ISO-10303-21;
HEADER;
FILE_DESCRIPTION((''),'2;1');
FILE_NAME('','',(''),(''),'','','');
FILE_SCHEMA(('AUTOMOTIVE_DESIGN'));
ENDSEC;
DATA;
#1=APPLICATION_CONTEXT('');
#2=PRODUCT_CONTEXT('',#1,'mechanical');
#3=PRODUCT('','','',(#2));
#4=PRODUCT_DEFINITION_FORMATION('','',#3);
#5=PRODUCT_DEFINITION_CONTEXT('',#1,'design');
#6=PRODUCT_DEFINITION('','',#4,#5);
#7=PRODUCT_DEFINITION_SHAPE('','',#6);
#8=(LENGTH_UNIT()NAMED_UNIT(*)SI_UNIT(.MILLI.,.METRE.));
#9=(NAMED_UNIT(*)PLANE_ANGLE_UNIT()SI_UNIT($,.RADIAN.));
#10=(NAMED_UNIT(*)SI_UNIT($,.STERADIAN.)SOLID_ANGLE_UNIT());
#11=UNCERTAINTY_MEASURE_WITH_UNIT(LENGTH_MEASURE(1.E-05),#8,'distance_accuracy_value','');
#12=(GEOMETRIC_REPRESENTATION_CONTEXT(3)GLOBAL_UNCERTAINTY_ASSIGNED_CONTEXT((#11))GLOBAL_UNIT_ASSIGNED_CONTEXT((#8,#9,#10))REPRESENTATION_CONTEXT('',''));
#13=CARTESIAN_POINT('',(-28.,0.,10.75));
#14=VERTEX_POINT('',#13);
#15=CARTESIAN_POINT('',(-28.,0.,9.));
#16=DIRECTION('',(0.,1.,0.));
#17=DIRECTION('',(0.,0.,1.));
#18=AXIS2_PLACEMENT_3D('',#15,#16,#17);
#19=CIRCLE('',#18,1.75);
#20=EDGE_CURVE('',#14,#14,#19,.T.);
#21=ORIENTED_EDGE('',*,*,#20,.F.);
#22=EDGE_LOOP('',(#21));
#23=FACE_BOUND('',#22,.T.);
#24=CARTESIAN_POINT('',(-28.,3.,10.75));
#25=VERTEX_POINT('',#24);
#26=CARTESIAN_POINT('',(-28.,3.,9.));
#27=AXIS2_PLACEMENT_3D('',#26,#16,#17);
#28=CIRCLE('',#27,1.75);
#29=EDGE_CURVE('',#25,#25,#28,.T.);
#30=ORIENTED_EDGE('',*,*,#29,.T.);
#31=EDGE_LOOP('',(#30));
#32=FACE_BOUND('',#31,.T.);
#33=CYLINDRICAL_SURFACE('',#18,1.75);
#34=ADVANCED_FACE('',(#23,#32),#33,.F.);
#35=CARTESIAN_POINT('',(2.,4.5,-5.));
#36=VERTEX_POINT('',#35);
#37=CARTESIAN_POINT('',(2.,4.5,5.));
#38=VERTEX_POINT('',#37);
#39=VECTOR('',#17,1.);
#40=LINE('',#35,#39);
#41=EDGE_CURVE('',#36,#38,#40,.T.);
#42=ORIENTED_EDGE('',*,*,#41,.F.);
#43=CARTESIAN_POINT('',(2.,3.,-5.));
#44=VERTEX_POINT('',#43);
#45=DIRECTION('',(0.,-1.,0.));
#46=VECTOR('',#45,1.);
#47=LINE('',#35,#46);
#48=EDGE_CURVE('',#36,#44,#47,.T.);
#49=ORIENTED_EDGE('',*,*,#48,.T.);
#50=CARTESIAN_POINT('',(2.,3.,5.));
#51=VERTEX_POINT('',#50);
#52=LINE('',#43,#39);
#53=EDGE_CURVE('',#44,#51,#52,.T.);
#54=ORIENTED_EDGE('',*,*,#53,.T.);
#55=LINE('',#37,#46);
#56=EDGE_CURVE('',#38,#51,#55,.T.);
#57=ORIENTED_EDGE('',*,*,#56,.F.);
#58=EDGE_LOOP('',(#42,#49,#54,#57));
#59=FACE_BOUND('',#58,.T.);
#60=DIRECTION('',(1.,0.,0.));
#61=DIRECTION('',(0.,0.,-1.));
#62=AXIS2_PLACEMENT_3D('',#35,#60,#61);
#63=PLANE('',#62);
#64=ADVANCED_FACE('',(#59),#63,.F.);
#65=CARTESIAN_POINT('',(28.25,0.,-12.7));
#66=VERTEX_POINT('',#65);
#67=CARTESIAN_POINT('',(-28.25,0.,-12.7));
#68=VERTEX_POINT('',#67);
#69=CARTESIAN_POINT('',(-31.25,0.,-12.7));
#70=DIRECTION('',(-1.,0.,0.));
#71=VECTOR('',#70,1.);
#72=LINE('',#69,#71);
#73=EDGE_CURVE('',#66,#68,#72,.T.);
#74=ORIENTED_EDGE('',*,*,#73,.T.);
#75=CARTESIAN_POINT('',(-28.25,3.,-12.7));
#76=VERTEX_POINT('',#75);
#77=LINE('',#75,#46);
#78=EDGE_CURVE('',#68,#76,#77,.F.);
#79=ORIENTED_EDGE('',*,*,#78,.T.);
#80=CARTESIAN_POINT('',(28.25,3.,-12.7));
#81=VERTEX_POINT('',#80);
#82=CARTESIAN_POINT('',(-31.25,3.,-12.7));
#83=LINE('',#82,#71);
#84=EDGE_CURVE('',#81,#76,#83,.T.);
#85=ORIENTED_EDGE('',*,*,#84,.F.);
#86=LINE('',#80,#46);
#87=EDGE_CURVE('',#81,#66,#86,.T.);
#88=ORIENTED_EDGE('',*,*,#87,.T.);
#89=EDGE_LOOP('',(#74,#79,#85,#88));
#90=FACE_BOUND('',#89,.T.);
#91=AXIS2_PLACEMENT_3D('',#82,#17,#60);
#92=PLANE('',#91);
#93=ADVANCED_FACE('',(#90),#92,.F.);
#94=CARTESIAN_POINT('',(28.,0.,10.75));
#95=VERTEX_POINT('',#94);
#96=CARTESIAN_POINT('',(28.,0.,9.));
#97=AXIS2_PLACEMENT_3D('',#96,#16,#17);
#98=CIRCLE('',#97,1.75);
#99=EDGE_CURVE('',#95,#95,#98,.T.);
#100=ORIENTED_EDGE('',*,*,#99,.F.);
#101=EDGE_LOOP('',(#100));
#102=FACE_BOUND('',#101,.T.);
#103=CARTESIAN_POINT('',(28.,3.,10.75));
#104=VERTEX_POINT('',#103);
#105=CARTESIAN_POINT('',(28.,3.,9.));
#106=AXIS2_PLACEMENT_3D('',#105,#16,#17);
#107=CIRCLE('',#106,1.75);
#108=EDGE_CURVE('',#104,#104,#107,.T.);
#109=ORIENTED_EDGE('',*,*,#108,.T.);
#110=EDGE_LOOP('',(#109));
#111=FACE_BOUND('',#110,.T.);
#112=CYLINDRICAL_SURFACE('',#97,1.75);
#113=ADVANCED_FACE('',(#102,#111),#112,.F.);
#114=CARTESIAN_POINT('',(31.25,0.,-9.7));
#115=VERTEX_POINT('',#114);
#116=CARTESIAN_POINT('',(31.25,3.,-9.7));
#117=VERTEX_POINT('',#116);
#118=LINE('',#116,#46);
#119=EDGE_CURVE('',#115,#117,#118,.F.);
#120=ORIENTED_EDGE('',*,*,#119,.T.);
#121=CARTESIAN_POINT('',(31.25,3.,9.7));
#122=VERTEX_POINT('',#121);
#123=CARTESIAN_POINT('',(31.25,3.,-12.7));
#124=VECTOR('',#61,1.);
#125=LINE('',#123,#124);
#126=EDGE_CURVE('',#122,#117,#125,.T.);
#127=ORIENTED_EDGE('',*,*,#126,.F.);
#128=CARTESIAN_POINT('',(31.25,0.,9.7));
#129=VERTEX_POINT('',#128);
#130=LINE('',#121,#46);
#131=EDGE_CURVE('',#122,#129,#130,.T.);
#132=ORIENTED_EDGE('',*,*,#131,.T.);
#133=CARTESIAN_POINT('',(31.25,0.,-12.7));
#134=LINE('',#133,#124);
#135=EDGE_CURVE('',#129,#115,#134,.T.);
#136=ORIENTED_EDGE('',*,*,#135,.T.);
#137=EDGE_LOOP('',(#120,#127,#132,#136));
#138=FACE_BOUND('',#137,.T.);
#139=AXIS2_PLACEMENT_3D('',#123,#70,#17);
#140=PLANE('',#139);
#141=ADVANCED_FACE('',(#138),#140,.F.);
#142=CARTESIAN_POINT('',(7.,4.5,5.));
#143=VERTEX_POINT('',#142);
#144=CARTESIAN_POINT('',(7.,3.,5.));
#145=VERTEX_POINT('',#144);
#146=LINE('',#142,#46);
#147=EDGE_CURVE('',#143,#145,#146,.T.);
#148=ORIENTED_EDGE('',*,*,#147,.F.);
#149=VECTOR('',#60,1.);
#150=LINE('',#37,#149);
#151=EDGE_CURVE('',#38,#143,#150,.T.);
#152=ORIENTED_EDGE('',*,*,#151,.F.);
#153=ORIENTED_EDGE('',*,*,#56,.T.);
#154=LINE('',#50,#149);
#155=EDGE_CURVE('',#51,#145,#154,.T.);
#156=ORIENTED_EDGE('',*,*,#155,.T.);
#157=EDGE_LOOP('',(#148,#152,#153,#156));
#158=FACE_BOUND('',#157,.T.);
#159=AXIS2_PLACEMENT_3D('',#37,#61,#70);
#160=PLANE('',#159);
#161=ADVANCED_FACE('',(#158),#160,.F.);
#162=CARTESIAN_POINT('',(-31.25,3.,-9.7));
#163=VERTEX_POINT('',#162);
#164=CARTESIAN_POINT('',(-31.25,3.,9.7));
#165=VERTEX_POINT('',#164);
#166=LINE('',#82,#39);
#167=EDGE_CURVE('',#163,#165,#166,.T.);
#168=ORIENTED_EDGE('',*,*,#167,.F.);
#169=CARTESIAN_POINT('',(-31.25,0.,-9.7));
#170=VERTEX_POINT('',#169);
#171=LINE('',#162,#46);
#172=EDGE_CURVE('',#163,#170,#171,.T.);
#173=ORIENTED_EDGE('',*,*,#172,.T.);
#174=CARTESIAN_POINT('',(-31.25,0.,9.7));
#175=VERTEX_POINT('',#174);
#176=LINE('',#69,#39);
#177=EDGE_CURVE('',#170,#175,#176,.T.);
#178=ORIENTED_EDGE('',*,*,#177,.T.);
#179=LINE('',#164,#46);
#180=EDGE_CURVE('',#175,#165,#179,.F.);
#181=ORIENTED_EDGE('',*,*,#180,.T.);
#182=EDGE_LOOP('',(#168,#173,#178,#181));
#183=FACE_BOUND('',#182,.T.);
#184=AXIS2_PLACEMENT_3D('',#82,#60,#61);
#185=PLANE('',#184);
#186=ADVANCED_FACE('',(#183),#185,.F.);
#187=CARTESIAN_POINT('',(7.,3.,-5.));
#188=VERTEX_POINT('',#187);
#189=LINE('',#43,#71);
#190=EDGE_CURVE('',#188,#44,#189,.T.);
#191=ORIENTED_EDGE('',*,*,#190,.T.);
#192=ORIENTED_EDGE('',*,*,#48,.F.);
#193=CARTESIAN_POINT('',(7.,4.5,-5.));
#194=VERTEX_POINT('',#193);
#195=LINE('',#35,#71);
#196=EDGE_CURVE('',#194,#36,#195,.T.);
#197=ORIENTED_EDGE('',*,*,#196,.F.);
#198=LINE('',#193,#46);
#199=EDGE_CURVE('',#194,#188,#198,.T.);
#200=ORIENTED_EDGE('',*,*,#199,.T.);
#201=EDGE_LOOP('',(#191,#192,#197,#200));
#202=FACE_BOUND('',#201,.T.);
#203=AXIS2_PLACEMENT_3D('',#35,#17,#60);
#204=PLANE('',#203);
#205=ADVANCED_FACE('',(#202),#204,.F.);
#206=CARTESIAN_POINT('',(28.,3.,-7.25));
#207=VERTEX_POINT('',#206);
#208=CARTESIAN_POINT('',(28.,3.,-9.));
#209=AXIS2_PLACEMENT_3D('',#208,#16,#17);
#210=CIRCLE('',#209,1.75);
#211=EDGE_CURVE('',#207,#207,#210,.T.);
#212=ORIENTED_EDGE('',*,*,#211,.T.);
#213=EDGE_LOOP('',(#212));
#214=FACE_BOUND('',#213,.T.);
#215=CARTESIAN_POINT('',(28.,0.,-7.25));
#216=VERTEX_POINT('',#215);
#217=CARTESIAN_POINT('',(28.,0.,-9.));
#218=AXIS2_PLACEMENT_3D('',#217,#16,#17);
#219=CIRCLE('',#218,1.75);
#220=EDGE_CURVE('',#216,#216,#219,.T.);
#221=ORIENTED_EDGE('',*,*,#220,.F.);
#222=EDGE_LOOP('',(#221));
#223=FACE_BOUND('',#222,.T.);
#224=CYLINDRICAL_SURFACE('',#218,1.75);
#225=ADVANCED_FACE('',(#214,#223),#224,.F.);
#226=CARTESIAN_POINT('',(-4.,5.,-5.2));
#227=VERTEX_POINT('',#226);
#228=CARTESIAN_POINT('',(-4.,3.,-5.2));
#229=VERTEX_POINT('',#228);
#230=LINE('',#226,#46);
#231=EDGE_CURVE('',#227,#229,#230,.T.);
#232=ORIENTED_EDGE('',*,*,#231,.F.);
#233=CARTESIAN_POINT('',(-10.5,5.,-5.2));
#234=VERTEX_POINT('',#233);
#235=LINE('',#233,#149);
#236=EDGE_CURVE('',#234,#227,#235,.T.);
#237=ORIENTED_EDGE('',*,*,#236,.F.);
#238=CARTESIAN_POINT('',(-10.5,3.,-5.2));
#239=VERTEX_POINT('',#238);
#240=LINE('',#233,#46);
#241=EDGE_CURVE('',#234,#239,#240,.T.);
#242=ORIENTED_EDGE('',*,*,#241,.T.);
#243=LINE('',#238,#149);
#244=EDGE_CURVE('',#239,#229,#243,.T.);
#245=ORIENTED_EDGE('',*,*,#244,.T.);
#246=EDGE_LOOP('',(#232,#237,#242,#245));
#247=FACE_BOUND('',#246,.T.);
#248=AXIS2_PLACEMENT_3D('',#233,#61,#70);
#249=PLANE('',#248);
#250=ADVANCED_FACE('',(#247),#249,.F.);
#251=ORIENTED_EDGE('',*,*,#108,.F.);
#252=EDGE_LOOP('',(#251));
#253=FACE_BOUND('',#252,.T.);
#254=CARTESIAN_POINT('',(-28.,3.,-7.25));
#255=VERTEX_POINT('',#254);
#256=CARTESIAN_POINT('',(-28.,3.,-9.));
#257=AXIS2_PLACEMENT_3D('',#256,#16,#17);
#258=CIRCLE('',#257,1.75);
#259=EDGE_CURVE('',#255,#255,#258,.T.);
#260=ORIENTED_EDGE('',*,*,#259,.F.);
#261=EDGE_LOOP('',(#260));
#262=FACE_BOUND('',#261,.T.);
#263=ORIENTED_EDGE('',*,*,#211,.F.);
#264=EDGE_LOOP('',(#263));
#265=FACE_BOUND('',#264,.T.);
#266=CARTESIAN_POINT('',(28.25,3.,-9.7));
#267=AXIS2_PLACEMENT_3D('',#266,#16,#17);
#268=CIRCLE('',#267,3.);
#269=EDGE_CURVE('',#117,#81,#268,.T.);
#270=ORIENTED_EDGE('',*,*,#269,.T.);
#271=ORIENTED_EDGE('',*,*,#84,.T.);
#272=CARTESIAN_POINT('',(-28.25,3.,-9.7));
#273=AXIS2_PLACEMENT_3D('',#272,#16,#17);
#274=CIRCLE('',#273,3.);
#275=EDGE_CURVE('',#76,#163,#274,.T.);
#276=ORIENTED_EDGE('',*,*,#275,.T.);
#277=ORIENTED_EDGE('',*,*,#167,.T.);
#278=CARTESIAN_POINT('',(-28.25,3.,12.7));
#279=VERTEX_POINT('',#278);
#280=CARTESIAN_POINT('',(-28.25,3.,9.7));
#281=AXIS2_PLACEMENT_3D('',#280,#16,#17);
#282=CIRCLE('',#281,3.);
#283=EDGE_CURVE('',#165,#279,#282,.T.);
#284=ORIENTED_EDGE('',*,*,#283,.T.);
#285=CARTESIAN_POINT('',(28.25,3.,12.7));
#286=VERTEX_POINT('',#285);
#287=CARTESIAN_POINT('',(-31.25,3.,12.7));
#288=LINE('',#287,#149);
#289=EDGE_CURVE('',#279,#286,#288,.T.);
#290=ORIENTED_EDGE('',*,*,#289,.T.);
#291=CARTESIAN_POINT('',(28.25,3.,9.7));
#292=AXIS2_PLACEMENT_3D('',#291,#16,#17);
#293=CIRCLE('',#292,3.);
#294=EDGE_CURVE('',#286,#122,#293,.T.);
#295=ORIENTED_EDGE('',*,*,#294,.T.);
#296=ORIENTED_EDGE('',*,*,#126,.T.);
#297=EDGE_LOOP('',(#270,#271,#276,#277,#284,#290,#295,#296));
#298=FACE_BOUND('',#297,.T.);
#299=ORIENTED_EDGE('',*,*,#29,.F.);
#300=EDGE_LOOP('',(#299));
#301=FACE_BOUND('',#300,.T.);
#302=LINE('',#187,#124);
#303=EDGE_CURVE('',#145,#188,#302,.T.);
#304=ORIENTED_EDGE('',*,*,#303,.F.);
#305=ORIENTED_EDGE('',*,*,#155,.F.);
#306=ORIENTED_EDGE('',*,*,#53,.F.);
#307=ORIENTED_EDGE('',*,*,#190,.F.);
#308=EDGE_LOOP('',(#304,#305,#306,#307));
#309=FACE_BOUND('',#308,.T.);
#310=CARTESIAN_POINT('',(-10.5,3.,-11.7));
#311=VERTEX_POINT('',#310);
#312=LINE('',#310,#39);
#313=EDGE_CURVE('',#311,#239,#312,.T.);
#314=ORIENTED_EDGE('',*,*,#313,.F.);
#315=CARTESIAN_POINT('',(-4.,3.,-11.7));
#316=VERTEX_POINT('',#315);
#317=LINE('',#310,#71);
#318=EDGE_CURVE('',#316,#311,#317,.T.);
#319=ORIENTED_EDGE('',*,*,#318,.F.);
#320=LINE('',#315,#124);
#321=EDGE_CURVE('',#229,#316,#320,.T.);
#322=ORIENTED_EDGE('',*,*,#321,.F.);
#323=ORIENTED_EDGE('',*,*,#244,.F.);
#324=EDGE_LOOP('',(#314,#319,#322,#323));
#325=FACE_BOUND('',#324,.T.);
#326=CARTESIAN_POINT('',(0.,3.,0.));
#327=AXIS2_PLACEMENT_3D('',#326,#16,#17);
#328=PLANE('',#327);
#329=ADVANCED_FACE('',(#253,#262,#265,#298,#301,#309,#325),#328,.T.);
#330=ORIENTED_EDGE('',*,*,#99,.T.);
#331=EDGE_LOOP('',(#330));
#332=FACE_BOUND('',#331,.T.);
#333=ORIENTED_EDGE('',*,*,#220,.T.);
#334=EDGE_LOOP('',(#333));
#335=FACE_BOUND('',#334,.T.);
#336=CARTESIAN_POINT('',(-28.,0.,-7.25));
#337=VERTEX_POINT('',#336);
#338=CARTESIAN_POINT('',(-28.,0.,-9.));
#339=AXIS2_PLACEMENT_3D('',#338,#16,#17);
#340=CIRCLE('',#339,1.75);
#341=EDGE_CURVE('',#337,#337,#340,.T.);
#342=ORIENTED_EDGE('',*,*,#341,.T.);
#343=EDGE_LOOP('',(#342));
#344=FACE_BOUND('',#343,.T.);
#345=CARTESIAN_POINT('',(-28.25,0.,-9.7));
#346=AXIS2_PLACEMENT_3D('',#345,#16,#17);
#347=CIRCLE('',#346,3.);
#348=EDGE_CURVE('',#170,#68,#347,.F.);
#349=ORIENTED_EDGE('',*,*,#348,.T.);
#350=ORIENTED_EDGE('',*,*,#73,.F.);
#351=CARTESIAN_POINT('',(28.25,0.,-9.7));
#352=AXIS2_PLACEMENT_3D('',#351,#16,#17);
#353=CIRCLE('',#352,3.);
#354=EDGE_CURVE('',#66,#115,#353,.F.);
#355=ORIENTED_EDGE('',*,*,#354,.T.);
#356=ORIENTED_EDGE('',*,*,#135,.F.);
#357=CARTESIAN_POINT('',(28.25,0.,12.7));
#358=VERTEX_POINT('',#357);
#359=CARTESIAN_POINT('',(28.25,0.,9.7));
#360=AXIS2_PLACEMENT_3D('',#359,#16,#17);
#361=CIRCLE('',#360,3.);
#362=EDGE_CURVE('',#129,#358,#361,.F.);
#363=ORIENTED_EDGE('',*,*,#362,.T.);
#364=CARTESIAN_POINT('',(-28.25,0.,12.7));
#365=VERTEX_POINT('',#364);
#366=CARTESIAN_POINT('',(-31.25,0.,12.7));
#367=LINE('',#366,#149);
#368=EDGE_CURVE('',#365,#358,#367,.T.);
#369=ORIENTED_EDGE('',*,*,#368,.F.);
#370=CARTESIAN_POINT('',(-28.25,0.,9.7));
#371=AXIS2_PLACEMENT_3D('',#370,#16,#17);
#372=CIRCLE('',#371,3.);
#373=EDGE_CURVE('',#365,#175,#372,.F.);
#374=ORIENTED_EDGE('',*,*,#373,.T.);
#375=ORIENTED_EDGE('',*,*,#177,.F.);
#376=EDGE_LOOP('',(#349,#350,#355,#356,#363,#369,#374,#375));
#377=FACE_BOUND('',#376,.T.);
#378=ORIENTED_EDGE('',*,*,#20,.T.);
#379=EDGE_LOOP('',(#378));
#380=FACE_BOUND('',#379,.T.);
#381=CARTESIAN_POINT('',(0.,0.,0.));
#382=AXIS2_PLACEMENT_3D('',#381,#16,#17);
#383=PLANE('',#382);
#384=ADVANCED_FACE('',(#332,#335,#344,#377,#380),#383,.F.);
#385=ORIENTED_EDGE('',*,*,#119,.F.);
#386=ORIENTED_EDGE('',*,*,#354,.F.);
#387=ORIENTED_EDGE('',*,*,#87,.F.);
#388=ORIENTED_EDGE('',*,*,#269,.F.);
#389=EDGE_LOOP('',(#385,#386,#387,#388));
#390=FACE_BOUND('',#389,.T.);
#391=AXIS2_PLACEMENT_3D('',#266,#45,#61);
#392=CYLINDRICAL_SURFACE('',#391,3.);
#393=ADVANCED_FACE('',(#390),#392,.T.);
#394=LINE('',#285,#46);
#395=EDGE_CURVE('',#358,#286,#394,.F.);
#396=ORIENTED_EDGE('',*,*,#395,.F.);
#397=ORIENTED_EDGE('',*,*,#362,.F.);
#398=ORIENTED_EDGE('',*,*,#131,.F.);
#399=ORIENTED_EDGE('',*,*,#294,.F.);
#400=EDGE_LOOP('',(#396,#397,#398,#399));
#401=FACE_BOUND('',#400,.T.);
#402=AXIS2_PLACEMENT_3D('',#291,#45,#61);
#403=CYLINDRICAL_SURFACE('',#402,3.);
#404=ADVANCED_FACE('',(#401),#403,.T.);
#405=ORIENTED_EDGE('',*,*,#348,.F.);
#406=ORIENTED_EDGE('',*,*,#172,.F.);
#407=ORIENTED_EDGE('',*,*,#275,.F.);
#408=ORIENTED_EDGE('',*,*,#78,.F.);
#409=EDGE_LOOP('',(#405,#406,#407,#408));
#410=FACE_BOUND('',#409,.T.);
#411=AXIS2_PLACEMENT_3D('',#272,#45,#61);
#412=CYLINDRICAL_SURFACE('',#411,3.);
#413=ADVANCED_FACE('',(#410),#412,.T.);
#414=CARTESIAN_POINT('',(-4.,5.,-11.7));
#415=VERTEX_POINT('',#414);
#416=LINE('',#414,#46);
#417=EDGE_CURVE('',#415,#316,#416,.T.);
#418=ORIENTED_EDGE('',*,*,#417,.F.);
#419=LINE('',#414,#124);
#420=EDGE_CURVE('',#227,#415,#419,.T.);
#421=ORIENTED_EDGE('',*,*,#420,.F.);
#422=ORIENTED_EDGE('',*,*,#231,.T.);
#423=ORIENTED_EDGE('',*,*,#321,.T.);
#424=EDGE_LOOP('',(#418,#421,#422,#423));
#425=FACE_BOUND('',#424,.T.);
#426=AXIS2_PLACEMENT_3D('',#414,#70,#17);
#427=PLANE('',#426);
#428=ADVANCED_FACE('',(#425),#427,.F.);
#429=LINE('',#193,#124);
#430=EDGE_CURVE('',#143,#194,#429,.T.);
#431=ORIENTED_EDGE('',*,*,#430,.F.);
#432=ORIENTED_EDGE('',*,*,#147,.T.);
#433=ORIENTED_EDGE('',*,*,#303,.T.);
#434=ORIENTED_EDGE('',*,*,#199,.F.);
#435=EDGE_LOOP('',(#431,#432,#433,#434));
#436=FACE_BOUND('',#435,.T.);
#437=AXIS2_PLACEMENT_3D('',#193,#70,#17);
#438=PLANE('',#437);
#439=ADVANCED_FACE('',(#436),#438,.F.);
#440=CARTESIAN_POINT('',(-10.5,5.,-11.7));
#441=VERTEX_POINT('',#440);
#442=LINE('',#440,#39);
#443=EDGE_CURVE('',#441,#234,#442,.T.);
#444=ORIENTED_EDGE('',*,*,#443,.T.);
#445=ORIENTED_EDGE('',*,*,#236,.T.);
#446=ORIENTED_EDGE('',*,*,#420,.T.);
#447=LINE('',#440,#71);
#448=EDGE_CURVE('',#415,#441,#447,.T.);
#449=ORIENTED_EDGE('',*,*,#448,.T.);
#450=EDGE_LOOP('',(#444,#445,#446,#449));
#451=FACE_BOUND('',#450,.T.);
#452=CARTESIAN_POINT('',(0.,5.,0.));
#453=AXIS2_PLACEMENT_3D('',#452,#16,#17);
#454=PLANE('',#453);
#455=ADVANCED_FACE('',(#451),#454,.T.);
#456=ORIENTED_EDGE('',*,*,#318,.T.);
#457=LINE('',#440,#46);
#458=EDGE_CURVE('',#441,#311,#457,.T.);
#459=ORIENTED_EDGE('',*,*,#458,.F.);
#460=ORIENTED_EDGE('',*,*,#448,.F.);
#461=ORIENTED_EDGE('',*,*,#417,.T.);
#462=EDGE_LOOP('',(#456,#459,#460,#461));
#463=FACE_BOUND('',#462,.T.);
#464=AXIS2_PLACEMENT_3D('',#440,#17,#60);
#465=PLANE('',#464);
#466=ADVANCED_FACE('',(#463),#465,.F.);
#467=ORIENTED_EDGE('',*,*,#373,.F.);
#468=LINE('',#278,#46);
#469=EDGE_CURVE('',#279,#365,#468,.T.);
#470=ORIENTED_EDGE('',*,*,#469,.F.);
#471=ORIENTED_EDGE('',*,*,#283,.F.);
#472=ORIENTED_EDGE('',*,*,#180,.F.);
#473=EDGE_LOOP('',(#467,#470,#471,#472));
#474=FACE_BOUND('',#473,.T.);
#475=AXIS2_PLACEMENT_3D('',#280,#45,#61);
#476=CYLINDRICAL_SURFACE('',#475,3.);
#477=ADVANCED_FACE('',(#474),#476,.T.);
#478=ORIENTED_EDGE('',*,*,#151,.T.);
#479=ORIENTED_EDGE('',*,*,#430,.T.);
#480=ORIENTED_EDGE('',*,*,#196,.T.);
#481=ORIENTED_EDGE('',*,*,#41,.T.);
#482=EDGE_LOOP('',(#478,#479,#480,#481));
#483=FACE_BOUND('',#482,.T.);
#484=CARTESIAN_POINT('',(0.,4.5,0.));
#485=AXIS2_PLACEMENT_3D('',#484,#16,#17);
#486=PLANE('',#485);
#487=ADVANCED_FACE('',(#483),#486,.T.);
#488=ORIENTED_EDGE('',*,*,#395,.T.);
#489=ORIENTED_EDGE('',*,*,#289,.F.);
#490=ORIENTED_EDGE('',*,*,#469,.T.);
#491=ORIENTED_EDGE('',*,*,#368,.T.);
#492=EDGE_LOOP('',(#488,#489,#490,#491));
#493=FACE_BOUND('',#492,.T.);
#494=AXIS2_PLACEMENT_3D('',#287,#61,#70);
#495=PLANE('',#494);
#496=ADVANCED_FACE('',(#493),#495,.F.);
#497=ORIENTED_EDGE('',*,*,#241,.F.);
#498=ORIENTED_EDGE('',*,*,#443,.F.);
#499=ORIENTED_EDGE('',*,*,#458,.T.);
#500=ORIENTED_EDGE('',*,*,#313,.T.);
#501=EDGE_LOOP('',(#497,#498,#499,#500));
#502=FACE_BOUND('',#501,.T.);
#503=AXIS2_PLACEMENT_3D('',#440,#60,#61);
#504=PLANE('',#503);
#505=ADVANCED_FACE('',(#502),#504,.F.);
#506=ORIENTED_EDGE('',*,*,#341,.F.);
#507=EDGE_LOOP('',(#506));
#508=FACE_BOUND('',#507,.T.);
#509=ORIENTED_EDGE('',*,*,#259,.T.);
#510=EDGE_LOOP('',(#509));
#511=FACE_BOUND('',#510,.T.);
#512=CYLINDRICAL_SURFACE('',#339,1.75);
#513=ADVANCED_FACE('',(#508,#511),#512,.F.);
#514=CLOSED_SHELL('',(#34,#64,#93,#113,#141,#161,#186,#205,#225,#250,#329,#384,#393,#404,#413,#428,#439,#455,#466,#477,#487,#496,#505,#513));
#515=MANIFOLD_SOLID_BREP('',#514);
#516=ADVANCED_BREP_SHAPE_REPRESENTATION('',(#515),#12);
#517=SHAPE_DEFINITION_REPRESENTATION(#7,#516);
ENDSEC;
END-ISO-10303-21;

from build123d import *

# Parameters (mm, degrees)
SKETCH1_W           = 62.5
SKETCH1_H           = 25.4
BOSS_EXTRUDE1_DEPTH = 3
FILLET1_R           = 3
SKETCH2_R           = 1.75
CUT_EXTRUDE1_DEPTH  = 34.865210763
SKETCH6_W           = 6.5
SKETCH6_H           = 6.5
BOSS_EXTRUDE2_DEPTH = 2
SKETCH7_W           = 5
SKETCH7_H           = 10
BOSS_EXTRUDE3_DEPTH = 1.5


with BuildPart() as part:
    # Sketch1 → Boss-Extrude1 (new body)
    with BuildSketch(Plane(origin=(0, 0, 0), x_dir=(1, 0, 0), z_dir=(0, 1, 0))):
        Rectangle(SKETCH1_W, SKETCH1_H)
    extrude(amount=BOSS_EXTRUDE1_DEPTH)

    # Fillet1
    fillet1_edges = [part.edges().sort_by_distance(p)[0] for p in [
        (31.25, 1.5, 12.7),
        (-31.25, 1.5, 12.7),
        (-31.25, 1.5, -12.7),
        (31.25, 1.5, -12.7),
    ]]
    fillet(fillet1_edges, radius=FILLET1_R)

    # Sketch2 → Cut-Extrude1 (cut, through all)
    with BuildSketch(Plane(origin=(0, 3, 0), x_dir=(1, 0, 0), z_dir=(0, 1, 0))):
        with Locations(Location((-28, 9, 0), (0, 0, 270))):
            Circle(SKETCH2_R)
        with Locations(Location((28, 9, 0), (0, 0, 270))):
            Circle(SKETCH2_R)
        with Locations(Location((28, -9, 0), (0, 0, 270))):
            Circle(SKETCH2_R)
        with Locations(Location((-28, -9, 0), (0, 0, 270))):
            Circle(SKETCH2_R)
    extrude(amount=-CUT_EXTRUDE1_DEPTH, mode=Mode.SUBTRACT)

    # Sketch6 → Boss-Extrude2 (add)
    with BuildSketch(Plane(origin=(0, 3, 0), x_dir=(1, 0, 0), z_dir=(0, 1, 0))):
        with Locations((-7.25, 8.45)):
            Rectangle(SKETCH6_W, SKETCH6_H)
    extrude(amount=BOSS_EXTRUDE2_DEPTH)

    # Sketch7 → Boss-Extrude3 (add)
    with BuildSketch(Plane(origin=(0, 3, 0), x_dir=(1, 0, 0), z_dir=(0, 1, 0))):
        with Locations((4.5, 0)):
            Rectangle(SKETCH7_W, SKETCH7_H)
    extrude(amount=BOSS_EXTRUDE3_DEPTH)


solid = part.part
